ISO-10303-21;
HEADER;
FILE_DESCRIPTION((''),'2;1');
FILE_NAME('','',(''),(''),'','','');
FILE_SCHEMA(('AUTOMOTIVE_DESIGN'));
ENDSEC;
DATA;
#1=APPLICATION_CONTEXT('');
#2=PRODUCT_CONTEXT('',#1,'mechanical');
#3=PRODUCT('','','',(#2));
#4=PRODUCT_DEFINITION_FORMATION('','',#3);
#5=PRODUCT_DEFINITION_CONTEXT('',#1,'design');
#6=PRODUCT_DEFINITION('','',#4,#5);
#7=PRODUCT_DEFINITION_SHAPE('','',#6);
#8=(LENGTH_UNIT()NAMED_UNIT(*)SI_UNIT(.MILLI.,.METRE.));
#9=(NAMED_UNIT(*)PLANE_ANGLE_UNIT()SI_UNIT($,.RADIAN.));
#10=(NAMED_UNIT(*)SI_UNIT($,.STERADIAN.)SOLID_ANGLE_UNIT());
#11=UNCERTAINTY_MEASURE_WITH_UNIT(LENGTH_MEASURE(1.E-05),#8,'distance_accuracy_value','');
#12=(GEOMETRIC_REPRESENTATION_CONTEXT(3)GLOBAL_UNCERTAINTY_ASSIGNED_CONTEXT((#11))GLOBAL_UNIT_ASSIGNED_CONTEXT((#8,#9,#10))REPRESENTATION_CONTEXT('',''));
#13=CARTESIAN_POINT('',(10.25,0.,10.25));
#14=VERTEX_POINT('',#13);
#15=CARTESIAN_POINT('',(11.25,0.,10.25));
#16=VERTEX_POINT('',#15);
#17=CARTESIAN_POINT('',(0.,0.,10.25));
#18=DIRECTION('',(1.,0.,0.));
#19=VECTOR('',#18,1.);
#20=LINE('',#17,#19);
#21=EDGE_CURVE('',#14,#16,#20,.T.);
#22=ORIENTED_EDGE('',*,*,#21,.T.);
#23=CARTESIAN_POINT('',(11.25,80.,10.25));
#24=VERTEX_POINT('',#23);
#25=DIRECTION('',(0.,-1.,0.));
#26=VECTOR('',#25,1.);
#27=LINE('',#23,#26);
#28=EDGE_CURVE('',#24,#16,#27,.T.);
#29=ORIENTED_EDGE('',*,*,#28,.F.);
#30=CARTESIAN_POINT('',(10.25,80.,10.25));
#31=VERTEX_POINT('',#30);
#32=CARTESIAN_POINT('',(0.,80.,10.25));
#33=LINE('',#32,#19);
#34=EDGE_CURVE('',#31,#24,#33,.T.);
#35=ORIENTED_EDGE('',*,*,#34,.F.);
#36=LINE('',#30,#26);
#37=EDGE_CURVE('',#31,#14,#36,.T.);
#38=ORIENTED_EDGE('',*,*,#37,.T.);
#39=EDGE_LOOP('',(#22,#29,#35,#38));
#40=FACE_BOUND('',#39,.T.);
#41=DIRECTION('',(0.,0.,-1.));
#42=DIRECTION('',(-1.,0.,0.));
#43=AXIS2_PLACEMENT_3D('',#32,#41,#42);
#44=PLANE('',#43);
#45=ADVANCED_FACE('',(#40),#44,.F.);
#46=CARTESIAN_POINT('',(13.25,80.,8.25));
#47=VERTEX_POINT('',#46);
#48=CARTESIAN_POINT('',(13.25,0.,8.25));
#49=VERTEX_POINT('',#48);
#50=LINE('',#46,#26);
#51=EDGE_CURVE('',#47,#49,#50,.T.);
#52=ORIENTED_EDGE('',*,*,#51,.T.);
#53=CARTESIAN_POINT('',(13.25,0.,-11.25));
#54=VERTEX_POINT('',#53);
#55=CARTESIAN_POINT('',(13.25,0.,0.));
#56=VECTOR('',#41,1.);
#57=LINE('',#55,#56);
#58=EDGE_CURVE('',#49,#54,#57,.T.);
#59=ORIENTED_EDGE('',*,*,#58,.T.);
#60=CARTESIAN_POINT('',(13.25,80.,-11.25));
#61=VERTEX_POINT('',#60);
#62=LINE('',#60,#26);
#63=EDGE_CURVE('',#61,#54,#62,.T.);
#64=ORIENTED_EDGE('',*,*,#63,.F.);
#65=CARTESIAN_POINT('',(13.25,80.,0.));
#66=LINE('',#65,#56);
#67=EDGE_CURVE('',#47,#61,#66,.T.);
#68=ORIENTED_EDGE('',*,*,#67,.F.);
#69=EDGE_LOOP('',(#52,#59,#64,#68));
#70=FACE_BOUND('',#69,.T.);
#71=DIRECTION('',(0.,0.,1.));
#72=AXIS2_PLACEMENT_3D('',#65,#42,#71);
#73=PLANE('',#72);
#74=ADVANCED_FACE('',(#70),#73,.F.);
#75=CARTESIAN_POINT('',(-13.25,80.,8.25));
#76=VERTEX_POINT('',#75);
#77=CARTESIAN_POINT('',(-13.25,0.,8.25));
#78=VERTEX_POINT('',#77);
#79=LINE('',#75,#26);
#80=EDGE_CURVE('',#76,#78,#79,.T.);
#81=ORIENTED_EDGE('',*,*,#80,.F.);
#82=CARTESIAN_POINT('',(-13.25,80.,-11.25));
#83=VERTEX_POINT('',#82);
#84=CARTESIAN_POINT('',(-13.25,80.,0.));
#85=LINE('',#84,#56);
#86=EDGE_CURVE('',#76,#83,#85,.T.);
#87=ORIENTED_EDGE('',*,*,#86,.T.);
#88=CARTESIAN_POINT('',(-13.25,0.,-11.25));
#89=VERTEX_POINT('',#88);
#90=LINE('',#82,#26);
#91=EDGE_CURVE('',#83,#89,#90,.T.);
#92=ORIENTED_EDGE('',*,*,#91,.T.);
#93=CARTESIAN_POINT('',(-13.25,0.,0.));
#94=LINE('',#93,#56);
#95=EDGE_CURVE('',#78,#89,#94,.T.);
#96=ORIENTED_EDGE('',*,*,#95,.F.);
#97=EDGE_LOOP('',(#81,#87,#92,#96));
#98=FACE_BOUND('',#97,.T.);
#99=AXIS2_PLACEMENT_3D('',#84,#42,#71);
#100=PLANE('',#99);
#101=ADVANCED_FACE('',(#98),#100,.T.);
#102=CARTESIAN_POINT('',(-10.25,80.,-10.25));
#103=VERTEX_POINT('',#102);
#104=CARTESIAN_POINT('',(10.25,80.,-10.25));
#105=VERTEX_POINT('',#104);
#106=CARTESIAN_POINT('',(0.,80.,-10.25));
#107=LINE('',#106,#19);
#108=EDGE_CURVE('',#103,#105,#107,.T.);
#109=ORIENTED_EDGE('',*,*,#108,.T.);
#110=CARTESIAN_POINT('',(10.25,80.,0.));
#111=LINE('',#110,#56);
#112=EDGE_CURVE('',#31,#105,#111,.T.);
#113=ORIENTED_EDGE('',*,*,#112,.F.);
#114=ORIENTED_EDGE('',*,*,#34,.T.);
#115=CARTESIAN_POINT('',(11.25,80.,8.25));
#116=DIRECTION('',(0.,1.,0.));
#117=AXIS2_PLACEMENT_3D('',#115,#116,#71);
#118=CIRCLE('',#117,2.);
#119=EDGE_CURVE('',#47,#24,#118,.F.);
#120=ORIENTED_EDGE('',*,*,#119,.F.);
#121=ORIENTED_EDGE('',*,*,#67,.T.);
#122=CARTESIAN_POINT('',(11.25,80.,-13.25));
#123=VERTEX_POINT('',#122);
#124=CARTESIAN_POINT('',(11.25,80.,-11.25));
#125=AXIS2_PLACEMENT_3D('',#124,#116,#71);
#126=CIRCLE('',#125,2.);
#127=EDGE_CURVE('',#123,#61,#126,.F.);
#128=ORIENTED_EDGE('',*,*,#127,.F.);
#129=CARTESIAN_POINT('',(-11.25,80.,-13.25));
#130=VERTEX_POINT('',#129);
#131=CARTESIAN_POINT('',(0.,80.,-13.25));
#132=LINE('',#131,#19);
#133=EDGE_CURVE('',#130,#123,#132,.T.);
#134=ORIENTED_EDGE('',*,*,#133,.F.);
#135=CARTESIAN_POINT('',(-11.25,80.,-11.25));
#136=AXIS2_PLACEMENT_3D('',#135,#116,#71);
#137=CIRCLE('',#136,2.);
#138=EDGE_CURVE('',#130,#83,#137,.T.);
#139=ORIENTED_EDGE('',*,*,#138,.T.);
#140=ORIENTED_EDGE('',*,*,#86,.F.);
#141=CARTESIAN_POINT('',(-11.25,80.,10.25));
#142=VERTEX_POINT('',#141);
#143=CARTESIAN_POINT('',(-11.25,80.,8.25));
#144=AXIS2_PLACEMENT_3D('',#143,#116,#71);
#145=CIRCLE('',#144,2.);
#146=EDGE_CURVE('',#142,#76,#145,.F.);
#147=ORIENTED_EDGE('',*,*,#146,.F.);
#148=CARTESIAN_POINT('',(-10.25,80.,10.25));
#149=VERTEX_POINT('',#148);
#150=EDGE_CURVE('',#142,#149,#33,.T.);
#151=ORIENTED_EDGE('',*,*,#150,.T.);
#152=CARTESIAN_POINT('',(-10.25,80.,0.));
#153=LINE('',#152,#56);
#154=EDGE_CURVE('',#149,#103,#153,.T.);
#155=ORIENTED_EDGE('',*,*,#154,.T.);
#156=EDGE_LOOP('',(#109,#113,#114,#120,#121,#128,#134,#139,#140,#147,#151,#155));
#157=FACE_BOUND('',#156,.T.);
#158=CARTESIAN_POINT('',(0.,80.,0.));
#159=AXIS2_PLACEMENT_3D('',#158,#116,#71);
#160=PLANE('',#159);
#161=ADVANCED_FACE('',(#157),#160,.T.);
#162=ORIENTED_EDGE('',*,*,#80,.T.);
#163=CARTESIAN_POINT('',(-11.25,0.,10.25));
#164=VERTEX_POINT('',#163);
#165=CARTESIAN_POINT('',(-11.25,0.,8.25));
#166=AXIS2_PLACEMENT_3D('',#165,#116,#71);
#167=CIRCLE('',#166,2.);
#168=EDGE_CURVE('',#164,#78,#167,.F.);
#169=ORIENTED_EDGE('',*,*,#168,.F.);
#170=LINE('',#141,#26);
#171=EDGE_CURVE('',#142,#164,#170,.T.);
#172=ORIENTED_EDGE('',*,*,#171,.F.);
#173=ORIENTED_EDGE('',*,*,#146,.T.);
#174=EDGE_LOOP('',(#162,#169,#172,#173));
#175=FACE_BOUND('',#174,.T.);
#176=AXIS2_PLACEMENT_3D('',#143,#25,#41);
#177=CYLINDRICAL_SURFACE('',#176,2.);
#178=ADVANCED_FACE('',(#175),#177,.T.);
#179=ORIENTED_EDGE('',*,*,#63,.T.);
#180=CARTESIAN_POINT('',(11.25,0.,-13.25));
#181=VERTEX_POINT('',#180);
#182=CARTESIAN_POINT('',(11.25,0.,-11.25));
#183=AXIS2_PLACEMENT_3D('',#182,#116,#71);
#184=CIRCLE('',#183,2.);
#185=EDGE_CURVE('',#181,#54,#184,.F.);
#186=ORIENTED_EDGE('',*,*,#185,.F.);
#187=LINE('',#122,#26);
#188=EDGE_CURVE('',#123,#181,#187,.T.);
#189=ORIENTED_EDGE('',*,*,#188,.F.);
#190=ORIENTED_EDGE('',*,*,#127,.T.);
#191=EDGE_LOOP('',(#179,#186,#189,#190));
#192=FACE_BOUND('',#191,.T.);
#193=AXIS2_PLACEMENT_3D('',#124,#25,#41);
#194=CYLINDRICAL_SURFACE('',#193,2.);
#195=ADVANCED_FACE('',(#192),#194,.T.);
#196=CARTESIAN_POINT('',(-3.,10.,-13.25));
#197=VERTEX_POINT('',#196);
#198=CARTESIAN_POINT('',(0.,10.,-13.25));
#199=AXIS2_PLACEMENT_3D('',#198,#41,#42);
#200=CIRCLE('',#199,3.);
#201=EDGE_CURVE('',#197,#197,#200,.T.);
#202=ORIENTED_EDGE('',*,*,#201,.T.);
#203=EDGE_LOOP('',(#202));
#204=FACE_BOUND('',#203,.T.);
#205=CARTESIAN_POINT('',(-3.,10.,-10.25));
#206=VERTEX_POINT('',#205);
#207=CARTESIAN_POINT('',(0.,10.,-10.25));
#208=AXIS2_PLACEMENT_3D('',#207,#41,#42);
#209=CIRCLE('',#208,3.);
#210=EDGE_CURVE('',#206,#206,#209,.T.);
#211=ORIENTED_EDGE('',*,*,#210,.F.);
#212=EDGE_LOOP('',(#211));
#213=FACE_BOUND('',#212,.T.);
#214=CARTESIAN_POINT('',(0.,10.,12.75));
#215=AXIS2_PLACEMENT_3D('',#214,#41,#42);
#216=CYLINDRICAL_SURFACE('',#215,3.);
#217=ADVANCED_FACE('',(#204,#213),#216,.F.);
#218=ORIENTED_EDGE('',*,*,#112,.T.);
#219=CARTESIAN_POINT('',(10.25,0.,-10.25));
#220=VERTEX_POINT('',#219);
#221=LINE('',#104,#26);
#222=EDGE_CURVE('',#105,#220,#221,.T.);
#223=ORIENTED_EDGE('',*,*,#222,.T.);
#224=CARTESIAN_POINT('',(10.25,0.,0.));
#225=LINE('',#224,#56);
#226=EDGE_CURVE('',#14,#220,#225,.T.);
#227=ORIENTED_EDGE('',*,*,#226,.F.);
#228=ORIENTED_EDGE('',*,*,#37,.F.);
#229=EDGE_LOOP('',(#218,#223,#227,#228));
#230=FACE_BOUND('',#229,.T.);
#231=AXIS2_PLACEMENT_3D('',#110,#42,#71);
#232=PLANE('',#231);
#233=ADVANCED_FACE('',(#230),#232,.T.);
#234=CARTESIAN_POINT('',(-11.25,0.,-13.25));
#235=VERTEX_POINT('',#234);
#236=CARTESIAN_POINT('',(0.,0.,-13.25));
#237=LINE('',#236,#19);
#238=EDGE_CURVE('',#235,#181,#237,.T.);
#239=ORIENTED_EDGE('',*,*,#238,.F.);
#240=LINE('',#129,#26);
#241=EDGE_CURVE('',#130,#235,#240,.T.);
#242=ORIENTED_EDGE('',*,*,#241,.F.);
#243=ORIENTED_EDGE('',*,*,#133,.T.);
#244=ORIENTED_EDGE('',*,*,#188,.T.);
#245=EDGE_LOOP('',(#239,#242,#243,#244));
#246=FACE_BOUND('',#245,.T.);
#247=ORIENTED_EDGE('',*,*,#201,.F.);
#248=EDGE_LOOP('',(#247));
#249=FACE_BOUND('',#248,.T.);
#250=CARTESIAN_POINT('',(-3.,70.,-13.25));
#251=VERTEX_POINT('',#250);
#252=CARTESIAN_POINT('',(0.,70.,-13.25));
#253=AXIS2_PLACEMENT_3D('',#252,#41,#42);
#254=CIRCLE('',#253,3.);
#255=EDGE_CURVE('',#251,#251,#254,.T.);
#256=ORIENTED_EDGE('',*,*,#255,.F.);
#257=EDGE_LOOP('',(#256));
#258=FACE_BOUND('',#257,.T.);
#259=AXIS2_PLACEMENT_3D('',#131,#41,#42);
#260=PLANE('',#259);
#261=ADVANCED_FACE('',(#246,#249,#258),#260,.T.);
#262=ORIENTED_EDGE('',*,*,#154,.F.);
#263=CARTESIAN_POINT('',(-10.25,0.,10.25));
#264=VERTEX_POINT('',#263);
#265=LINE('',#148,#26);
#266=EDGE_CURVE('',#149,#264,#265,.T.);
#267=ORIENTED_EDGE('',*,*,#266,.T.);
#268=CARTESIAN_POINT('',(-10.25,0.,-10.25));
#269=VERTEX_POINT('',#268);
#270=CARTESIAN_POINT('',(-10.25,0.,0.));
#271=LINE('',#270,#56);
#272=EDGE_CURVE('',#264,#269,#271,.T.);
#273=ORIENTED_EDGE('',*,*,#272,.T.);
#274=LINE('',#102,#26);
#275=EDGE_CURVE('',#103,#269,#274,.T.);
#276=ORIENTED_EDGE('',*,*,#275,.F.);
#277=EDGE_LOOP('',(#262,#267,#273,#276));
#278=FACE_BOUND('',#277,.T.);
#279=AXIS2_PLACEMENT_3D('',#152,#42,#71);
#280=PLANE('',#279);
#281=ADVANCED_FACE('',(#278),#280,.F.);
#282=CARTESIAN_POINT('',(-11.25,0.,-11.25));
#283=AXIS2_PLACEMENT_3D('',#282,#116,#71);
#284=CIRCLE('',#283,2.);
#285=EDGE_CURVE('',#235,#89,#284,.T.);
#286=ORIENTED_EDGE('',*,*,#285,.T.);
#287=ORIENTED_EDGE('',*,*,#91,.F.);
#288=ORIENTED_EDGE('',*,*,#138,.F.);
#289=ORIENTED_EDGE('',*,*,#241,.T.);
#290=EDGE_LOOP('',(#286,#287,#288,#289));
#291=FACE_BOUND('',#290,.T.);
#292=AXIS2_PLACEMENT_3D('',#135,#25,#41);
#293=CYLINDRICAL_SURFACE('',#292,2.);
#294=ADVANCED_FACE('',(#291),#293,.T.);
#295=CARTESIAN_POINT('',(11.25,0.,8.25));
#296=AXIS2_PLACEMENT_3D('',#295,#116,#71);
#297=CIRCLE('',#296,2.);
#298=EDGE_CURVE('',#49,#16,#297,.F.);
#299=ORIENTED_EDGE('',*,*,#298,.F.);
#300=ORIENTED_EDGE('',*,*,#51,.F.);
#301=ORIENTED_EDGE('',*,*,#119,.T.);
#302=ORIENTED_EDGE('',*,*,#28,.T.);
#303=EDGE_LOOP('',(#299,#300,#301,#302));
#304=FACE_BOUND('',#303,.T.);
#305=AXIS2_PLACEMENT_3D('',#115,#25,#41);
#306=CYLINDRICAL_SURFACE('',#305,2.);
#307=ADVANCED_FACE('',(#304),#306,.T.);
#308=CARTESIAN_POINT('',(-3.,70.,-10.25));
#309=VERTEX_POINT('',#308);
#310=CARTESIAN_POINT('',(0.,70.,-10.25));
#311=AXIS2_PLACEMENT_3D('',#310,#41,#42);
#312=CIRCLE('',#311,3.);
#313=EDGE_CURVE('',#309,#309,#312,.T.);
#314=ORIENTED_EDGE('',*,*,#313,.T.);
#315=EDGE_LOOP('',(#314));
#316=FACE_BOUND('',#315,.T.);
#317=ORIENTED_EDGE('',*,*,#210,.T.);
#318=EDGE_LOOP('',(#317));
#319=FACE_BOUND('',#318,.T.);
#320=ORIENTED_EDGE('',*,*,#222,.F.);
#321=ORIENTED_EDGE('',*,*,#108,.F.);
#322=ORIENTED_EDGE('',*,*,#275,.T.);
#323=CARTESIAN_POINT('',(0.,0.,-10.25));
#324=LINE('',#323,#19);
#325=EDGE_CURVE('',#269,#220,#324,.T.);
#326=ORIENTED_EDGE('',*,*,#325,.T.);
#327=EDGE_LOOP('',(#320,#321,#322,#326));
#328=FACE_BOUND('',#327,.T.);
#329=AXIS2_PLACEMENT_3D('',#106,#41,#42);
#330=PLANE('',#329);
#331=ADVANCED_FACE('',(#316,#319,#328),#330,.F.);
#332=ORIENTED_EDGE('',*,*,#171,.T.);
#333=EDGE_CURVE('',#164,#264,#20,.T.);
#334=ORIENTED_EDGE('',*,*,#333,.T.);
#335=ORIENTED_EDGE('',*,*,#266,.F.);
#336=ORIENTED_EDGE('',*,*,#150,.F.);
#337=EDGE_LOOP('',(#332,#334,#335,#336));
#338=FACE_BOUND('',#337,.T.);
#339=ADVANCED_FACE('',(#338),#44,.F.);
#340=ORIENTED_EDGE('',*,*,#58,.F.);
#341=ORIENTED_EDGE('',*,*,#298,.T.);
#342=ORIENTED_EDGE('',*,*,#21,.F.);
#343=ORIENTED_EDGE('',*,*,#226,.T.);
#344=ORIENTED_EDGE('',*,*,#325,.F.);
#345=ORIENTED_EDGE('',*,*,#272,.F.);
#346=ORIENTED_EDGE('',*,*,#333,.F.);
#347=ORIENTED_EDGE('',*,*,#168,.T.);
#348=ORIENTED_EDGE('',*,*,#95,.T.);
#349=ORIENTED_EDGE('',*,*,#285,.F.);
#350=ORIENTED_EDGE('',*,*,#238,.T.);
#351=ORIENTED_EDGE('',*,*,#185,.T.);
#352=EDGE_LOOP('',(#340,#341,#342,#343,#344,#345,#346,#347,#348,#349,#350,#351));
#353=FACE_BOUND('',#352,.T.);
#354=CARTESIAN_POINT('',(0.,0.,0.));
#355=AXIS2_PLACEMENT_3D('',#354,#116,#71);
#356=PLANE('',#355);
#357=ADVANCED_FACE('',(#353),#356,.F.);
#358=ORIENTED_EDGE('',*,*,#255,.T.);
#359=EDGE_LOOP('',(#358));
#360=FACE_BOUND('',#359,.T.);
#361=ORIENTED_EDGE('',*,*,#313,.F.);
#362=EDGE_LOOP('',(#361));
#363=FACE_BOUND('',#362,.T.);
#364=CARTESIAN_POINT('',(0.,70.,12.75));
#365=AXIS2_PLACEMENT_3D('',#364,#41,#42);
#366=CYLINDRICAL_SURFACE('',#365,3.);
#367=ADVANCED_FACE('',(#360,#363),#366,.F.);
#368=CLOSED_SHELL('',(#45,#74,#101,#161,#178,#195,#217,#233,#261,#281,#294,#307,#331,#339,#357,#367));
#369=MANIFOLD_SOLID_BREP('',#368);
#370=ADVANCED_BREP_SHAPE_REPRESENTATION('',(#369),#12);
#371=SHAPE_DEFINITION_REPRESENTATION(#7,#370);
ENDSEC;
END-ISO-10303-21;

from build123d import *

# Parameters (mm, degrees)
BOSS_EXTRUDE1_DEPTH = 80
SKETCH3_R           = 3
CUT_EXTRUDE1_DEPTH  = 26


with BuildPart() as part:
    # Sketch1 → Boss-Extrude1 (new body)
    with BuildSketch(Plane(origin=(0, 0, 0), x_dir=(1, 0, 0), z_dir=(0, 1, 0))):
        with BuildLine():
            Line((11.25, 13.25), (-11.25, 13.25))
            ThreePointArc((-11.25, 13.25), (-12.664213562, 12.664213562), (-13.25, 11.25))
            Line((-13.25, 11.25), (-13.25, -8.25))
            ThreePointArc((-13.25, -8.25), (-12.664213562, -9.664213562), (-11.25, -10.25))
            Line((-11.25, -10.25), (-10.25, -10.25))
            Line((-10.25, -10.25), (-10.25, 10.25))
            Line((-10.25, 10.25), (10.25, 10.25))
            Line((10.25, 10.25), (10.25, -10.25))
            Line((10.25, -10.25), (11.25, -10.25))
            ThreePointArc((11.25, -10.25), (12.664213562, -9.664213562), (13.25, -8.25))
            Line((13.25, -8.25), (13.25, 11.25))
            ThreePointArc((13.25, 11.25), (12.664213562, 12.664213562), (11.25, 13.25))
        make_face()
    extrude(amount=BOSS_EXTRUDE1_DEPTH)

    # Sketch3 → Cut-Extrude1 (cut)
    with BuildSketch(Plane(origin=(0, 0, -13.25), x_dir=(-1, 0, 0), z_dir=(0, 0, -1))):
        with Locations((0, 70)):
            Circle(SKETCH3_R)
        with Locations((0, 10)):
            Circle(SKETCH3_R)
    extrude(amount=-CUT_EXTRUDE1_DEPTH, mode=Mode.SUBTRACT)


solid = part.part
